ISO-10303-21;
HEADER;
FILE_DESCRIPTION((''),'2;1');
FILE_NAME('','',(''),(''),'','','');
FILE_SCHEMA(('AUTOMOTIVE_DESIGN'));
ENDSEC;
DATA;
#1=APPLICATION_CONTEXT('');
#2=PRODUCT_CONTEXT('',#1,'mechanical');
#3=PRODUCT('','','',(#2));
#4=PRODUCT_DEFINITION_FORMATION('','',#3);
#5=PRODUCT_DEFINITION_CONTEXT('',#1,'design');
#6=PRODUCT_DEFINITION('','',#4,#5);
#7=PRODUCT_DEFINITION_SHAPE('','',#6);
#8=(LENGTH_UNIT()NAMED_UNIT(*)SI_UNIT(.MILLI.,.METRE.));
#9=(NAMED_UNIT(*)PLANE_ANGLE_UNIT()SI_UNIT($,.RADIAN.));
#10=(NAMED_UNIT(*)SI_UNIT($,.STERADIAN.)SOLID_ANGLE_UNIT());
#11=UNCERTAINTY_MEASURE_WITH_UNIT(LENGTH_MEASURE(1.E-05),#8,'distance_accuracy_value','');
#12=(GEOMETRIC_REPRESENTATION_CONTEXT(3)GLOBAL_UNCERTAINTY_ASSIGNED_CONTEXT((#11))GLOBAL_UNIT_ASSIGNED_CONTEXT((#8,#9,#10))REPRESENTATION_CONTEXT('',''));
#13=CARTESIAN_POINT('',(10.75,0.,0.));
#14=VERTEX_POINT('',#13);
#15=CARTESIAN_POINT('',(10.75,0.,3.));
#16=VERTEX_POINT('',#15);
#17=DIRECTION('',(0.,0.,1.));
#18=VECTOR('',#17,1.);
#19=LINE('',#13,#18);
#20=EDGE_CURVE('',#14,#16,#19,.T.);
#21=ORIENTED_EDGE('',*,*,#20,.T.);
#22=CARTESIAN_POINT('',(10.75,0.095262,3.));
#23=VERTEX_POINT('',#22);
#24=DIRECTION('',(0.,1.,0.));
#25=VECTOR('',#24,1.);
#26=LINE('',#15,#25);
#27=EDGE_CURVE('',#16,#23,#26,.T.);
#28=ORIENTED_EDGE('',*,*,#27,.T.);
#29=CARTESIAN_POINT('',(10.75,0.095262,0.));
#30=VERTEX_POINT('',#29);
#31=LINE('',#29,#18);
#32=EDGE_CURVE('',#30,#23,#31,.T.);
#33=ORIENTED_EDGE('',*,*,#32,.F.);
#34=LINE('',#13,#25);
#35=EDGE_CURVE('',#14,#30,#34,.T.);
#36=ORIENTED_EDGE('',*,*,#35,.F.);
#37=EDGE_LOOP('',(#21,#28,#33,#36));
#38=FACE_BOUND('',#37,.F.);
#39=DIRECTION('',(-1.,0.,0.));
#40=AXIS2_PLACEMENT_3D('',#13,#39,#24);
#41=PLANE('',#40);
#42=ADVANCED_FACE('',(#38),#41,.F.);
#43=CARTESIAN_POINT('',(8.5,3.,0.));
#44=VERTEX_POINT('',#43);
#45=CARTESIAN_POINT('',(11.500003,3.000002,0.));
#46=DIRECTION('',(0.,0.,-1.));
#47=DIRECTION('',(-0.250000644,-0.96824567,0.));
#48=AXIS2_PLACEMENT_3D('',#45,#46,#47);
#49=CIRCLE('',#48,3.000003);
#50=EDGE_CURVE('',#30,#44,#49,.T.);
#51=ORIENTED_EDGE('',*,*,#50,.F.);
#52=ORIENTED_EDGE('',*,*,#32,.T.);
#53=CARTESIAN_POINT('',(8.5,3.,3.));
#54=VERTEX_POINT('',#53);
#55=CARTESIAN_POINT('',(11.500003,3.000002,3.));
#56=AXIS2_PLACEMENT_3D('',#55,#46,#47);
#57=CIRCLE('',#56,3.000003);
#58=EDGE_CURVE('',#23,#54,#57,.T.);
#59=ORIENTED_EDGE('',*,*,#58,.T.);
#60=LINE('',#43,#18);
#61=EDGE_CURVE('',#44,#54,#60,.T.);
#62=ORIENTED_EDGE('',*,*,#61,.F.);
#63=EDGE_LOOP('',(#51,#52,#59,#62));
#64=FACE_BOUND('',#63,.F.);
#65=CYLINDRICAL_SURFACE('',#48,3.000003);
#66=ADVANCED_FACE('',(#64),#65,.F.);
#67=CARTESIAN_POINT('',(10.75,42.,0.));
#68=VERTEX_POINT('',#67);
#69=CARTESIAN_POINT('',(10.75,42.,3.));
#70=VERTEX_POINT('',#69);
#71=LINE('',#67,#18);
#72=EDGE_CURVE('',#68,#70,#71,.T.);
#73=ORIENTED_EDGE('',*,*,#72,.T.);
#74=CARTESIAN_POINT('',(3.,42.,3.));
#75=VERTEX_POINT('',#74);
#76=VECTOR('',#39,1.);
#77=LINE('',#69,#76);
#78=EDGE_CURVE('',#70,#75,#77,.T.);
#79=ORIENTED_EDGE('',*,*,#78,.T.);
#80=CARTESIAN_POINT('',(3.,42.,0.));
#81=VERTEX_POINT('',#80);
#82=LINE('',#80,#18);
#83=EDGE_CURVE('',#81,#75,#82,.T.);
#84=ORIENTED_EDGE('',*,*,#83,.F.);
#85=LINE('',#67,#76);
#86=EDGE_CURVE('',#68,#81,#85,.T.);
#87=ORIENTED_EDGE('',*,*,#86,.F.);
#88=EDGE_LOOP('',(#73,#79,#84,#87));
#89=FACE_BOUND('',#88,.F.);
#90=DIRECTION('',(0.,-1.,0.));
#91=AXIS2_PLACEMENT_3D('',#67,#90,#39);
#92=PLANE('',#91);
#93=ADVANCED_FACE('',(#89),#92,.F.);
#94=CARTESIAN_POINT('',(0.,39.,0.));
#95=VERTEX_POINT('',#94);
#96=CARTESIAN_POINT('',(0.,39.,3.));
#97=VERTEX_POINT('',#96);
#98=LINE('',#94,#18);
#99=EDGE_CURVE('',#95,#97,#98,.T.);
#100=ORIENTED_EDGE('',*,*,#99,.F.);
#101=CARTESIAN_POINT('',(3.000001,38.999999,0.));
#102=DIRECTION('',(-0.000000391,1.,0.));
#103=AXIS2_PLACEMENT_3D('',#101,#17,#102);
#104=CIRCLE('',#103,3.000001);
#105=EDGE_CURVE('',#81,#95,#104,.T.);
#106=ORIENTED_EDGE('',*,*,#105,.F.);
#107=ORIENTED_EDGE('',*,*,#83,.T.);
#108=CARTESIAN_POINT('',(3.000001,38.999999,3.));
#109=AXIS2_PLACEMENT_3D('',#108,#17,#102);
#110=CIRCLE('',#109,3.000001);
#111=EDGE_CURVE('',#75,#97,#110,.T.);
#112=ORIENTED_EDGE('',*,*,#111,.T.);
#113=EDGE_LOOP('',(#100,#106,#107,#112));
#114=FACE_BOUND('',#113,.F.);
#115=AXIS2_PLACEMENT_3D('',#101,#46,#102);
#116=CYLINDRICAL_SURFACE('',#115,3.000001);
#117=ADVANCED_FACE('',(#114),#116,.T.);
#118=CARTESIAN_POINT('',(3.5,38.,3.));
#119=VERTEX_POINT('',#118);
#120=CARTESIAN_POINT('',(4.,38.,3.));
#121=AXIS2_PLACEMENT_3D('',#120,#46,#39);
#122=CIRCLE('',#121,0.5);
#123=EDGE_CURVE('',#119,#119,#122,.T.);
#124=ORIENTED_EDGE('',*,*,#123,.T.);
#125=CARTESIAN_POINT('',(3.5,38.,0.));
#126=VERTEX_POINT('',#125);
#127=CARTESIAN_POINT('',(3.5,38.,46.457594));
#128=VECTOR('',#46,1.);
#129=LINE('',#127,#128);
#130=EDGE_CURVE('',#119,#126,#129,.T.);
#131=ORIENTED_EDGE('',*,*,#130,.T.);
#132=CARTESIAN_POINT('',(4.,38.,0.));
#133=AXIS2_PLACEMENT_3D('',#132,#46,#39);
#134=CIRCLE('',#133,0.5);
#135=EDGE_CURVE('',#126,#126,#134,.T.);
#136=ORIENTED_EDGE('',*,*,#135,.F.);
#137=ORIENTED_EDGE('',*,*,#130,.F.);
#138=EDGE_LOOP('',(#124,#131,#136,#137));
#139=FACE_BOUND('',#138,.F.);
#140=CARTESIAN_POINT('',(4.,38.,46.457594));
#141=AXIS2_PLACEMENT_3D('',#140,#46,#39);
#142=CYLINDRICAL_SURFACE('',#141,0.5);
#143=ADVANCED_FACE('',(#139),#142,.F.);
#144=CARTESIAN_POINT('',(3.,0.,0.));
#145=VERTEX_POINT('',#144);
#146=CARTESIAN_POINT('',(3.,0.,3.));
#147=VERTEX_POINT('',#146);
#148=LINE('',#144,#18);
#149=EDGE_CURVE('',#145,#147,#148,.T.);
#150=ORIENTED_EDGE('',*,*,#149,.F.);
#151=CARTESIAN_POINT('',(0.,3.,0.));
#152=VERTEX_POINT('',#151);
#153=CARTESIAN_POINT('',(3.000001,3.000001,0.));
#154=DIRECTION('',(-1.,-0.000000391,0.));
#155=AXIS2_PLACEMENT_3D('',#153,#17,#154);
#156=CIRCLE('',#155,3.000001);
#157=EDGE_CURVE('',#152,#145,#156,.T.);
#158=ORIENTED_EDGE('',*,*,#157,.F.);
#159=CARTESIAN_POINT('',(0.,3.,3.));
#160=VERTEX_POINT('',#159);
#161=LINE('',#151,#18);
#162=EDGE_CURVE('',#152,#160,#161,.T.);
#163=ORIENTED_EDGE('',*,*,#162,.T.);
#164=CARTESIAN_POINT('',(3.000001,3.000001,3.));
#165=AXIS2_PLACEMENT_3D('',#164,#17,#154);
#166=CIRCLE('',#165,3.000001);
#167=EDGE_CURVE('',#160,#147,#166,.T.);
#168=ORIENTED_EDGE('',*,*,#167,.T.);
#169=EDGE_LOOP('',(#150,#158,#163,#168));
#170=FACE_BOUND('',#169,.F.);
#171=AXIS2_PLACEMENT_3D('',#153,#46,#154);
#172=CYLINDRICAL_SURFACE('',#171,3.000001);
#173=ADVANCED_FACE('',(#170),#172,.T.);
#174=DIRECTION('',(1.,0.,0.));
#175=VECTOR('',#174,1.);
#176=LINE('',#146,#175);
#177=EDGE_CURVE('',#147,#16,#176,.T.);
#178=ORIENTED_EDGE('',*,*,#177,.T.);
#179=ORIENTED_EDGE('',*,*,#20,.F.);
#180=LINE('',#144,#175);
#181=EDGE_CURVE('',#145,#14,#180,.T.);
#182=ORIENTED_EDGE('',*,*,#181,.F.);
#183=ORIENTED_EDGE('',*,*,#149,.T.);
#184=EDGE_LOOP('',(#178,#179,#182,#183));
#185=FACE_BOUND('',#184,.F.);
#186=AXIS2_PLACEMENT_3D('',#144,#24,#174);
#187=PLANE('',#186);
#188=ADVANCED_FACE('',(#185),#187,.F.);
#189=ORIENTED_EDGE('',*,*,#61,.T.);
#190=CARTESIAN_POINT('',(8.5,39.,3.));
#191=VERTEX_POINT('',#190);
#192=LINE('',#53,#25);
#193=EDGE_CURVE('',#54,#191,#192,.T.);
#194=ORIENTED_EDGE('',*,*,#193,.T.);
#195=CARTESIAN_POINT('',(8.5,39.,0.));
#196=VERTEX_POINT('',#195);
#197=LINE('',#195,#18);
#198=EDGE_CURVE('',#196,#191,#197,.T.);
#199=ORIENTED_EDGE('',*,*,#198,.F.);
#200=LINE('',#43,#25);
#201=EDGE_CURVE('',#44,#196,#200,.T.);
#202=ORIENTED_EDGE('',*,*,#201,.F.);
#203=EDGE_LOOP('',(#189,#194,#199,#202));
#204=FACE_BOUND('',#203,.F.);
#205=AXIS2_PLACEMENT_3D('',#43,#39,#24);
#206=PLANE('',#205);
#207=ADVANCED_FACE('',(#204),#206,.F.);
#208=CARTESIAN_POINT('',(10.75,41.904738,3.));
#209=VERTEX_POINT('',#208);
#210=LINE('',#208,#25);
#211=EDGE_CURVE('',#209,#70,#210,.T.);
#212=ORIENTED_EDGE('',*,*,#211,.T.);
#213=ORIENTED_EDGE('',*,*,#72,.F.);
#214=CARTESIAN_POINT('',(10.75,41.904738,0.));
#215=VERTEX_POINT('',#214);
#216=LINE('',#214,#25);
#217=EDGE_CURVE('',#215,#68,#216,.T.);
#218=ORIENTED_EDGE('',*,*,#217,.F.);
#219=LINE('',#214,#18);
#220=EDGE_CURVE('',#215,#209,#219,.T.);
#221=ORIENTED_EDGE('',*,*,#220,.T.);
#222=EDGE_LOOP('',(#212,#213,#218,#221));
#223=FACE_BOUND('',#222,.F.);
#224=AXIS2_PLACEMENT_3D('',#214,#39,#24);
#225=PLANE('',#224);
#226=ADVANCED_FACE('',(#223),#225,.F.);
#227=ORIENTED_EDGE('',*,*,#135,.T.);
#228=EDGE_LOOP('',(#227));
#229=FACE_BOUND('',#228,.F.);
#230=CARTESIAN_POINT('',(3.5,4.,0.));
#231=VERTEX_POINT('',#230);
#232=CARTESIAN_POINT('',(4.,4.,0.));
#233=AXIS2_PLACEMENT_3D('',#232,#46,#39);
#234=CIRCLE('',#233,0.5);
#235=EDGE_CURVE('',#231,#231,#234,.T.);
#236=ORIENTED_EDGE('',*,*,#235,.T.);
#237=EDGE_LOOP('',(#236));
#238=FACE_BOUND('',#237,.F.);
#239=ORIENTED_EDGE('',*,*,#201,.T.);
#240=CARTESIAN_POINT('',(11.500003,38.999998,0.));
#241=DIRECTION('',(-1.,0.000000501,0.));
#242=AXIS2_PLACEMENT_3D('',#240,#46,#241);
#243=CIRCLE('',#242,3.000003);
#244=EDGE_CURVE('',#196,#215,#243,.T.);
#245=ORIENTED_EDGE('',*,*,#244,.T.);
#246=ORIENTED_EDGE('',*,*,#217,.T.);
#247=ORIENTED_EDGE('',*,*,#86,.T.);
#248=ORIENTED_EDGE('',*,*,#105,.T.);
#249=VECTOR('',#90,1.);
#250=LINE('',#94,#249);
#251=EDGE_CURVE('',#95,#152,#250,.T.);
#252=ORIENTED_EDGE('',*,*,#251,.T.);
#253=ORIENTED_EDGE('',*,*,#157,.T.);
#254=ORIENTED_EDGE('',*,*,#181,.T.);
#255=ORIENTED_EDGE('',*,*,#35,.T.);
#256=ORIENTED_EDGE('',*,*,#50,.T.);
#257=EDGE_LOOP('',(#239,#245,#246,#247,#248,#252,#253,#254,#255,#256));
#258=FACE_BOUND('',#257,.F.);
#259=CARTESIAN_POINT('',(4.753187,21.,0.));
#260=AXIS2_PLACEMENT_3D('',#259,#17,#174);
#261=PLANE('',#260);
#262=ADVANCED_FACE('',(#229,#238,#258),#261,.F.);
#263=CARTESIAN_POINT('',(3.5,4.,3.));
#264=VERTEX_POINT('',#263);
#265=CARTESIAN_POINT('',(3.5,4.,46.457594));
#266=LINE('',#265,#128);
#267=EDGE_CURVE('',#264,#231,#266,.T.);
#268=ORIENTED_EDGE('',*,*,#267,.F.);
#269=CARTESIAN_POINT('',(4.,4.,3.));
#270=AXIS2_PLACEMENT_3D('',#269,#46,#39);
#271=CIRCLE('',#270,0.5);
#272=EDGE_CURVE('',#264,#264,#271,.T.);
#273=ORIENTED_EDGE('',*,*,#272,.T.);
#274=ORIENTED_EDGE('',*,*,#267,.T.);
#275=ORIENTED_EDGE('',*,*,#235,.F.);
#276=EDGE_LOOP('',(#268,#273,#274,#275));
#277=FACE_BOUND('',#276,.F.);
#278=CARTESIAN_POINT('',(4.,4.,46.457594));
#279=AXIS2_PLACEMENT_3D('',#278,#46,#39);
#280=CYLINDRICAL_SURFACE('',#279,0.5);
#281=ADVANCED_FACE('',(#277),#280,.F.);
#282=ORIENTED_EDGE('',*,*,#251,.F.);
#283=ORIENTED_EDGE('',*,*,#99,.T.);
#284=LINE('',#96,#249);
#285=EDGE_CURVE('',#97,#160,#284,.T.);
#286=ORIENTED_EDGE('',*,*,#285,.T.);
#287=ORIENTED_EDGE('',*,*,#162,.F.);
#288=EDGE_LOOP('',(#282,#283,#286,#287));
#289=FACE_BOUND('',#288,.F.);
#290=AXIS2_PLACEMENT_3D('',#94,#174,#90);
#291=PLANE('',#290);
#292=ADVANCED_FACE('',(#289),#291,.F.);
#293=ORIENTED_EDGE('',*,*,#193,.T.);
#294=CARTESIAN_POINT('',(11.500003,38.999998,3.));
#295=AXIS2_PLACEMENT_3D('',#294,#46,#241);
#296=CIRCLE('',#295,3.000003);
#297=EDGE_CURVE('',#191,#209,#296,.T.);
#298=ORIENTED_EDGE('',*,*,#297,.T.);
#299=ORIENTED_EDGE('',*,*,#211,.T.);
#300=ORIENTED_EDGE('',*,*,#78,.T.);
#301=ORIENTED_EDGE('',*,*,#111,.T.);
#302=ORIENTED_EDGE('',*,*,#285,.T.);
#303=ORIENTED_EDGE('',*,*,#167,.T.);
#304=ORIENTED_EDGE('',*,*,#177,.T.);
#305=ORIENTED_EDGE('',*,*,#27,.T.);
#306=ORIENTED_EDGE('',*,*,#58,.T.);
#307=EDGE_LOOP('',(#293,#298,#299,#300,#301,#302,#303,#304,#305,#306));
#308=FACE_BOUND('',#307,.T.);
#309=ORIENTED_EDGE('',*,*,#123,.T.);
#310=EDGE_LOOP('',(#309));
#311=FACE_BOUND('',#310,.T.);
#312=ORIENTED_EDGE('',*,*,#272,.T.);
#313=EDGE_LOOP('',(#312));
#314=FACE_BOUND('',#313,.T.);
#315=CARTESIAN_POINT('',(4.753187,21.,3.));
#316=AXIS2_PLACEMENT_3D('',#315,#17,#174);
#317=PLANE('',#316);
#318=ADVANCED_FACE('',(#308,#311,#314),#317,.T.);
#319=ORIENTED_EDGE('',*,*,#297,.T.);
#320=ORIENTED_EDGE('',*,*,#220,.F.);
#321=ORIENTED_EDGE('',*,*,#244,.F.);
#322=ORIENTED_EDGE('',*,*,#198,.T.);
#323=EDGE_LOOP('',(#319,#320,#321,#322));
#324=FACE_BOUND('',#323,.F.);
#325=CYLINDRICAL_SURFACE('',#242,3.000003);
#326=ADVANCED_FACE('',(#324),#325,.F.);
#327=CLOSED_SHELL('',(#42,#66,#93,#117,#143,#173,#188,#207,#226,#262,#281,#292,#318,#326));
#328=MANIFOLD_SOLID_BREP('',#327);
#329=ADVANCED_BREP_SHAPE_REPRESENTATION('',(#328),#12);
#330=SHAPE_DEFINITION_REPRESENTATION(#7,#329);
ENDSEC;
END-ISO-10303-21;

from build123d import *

# Parameters (mm, degrees)
F1_DEPTH = 3
F3_D     = 1


with BuildPart() as f1:
    # F0 (on Top) → F1 (new body)
    with BuildSketch(Plane.XY):
        with BuildLine():
            Line((3, 0), (10, 0))
            Line((10, 0), (10.75, 0))
            Line((10.75, 0), (10.75, 0.095262))
            ThreePointArc((10.75, 0.095262), (9.128292, 1.162883), (8.5, 3))
            Line((8.5, 3), (8.5, 39))
            ThreePointArc((8.5, 39), (9.128292, 40.837117), (10.75, 41.904738))
            Line((10.75, 41.904738), (10.75, 42))
            Line((10.75, 42), (10, 42))
            Line((10, 42), (3, 42))
            ThreePointArc((3, 42), (0.87868, 41.12132), (0, 39))
            Line((0, 39), (0, 3))
            ThreePointArc((0, 3), (0.87868, 0.87868), (3, 0))
        make_face()
    extrude(amount=F1_DEPTH)

    # F3 (through all)
    with Locations(Plane.XY.offset(3)):
        with Locations((4, 38), (4, 4)):
            Hole(F3_D / 2)


solid = f1.part
